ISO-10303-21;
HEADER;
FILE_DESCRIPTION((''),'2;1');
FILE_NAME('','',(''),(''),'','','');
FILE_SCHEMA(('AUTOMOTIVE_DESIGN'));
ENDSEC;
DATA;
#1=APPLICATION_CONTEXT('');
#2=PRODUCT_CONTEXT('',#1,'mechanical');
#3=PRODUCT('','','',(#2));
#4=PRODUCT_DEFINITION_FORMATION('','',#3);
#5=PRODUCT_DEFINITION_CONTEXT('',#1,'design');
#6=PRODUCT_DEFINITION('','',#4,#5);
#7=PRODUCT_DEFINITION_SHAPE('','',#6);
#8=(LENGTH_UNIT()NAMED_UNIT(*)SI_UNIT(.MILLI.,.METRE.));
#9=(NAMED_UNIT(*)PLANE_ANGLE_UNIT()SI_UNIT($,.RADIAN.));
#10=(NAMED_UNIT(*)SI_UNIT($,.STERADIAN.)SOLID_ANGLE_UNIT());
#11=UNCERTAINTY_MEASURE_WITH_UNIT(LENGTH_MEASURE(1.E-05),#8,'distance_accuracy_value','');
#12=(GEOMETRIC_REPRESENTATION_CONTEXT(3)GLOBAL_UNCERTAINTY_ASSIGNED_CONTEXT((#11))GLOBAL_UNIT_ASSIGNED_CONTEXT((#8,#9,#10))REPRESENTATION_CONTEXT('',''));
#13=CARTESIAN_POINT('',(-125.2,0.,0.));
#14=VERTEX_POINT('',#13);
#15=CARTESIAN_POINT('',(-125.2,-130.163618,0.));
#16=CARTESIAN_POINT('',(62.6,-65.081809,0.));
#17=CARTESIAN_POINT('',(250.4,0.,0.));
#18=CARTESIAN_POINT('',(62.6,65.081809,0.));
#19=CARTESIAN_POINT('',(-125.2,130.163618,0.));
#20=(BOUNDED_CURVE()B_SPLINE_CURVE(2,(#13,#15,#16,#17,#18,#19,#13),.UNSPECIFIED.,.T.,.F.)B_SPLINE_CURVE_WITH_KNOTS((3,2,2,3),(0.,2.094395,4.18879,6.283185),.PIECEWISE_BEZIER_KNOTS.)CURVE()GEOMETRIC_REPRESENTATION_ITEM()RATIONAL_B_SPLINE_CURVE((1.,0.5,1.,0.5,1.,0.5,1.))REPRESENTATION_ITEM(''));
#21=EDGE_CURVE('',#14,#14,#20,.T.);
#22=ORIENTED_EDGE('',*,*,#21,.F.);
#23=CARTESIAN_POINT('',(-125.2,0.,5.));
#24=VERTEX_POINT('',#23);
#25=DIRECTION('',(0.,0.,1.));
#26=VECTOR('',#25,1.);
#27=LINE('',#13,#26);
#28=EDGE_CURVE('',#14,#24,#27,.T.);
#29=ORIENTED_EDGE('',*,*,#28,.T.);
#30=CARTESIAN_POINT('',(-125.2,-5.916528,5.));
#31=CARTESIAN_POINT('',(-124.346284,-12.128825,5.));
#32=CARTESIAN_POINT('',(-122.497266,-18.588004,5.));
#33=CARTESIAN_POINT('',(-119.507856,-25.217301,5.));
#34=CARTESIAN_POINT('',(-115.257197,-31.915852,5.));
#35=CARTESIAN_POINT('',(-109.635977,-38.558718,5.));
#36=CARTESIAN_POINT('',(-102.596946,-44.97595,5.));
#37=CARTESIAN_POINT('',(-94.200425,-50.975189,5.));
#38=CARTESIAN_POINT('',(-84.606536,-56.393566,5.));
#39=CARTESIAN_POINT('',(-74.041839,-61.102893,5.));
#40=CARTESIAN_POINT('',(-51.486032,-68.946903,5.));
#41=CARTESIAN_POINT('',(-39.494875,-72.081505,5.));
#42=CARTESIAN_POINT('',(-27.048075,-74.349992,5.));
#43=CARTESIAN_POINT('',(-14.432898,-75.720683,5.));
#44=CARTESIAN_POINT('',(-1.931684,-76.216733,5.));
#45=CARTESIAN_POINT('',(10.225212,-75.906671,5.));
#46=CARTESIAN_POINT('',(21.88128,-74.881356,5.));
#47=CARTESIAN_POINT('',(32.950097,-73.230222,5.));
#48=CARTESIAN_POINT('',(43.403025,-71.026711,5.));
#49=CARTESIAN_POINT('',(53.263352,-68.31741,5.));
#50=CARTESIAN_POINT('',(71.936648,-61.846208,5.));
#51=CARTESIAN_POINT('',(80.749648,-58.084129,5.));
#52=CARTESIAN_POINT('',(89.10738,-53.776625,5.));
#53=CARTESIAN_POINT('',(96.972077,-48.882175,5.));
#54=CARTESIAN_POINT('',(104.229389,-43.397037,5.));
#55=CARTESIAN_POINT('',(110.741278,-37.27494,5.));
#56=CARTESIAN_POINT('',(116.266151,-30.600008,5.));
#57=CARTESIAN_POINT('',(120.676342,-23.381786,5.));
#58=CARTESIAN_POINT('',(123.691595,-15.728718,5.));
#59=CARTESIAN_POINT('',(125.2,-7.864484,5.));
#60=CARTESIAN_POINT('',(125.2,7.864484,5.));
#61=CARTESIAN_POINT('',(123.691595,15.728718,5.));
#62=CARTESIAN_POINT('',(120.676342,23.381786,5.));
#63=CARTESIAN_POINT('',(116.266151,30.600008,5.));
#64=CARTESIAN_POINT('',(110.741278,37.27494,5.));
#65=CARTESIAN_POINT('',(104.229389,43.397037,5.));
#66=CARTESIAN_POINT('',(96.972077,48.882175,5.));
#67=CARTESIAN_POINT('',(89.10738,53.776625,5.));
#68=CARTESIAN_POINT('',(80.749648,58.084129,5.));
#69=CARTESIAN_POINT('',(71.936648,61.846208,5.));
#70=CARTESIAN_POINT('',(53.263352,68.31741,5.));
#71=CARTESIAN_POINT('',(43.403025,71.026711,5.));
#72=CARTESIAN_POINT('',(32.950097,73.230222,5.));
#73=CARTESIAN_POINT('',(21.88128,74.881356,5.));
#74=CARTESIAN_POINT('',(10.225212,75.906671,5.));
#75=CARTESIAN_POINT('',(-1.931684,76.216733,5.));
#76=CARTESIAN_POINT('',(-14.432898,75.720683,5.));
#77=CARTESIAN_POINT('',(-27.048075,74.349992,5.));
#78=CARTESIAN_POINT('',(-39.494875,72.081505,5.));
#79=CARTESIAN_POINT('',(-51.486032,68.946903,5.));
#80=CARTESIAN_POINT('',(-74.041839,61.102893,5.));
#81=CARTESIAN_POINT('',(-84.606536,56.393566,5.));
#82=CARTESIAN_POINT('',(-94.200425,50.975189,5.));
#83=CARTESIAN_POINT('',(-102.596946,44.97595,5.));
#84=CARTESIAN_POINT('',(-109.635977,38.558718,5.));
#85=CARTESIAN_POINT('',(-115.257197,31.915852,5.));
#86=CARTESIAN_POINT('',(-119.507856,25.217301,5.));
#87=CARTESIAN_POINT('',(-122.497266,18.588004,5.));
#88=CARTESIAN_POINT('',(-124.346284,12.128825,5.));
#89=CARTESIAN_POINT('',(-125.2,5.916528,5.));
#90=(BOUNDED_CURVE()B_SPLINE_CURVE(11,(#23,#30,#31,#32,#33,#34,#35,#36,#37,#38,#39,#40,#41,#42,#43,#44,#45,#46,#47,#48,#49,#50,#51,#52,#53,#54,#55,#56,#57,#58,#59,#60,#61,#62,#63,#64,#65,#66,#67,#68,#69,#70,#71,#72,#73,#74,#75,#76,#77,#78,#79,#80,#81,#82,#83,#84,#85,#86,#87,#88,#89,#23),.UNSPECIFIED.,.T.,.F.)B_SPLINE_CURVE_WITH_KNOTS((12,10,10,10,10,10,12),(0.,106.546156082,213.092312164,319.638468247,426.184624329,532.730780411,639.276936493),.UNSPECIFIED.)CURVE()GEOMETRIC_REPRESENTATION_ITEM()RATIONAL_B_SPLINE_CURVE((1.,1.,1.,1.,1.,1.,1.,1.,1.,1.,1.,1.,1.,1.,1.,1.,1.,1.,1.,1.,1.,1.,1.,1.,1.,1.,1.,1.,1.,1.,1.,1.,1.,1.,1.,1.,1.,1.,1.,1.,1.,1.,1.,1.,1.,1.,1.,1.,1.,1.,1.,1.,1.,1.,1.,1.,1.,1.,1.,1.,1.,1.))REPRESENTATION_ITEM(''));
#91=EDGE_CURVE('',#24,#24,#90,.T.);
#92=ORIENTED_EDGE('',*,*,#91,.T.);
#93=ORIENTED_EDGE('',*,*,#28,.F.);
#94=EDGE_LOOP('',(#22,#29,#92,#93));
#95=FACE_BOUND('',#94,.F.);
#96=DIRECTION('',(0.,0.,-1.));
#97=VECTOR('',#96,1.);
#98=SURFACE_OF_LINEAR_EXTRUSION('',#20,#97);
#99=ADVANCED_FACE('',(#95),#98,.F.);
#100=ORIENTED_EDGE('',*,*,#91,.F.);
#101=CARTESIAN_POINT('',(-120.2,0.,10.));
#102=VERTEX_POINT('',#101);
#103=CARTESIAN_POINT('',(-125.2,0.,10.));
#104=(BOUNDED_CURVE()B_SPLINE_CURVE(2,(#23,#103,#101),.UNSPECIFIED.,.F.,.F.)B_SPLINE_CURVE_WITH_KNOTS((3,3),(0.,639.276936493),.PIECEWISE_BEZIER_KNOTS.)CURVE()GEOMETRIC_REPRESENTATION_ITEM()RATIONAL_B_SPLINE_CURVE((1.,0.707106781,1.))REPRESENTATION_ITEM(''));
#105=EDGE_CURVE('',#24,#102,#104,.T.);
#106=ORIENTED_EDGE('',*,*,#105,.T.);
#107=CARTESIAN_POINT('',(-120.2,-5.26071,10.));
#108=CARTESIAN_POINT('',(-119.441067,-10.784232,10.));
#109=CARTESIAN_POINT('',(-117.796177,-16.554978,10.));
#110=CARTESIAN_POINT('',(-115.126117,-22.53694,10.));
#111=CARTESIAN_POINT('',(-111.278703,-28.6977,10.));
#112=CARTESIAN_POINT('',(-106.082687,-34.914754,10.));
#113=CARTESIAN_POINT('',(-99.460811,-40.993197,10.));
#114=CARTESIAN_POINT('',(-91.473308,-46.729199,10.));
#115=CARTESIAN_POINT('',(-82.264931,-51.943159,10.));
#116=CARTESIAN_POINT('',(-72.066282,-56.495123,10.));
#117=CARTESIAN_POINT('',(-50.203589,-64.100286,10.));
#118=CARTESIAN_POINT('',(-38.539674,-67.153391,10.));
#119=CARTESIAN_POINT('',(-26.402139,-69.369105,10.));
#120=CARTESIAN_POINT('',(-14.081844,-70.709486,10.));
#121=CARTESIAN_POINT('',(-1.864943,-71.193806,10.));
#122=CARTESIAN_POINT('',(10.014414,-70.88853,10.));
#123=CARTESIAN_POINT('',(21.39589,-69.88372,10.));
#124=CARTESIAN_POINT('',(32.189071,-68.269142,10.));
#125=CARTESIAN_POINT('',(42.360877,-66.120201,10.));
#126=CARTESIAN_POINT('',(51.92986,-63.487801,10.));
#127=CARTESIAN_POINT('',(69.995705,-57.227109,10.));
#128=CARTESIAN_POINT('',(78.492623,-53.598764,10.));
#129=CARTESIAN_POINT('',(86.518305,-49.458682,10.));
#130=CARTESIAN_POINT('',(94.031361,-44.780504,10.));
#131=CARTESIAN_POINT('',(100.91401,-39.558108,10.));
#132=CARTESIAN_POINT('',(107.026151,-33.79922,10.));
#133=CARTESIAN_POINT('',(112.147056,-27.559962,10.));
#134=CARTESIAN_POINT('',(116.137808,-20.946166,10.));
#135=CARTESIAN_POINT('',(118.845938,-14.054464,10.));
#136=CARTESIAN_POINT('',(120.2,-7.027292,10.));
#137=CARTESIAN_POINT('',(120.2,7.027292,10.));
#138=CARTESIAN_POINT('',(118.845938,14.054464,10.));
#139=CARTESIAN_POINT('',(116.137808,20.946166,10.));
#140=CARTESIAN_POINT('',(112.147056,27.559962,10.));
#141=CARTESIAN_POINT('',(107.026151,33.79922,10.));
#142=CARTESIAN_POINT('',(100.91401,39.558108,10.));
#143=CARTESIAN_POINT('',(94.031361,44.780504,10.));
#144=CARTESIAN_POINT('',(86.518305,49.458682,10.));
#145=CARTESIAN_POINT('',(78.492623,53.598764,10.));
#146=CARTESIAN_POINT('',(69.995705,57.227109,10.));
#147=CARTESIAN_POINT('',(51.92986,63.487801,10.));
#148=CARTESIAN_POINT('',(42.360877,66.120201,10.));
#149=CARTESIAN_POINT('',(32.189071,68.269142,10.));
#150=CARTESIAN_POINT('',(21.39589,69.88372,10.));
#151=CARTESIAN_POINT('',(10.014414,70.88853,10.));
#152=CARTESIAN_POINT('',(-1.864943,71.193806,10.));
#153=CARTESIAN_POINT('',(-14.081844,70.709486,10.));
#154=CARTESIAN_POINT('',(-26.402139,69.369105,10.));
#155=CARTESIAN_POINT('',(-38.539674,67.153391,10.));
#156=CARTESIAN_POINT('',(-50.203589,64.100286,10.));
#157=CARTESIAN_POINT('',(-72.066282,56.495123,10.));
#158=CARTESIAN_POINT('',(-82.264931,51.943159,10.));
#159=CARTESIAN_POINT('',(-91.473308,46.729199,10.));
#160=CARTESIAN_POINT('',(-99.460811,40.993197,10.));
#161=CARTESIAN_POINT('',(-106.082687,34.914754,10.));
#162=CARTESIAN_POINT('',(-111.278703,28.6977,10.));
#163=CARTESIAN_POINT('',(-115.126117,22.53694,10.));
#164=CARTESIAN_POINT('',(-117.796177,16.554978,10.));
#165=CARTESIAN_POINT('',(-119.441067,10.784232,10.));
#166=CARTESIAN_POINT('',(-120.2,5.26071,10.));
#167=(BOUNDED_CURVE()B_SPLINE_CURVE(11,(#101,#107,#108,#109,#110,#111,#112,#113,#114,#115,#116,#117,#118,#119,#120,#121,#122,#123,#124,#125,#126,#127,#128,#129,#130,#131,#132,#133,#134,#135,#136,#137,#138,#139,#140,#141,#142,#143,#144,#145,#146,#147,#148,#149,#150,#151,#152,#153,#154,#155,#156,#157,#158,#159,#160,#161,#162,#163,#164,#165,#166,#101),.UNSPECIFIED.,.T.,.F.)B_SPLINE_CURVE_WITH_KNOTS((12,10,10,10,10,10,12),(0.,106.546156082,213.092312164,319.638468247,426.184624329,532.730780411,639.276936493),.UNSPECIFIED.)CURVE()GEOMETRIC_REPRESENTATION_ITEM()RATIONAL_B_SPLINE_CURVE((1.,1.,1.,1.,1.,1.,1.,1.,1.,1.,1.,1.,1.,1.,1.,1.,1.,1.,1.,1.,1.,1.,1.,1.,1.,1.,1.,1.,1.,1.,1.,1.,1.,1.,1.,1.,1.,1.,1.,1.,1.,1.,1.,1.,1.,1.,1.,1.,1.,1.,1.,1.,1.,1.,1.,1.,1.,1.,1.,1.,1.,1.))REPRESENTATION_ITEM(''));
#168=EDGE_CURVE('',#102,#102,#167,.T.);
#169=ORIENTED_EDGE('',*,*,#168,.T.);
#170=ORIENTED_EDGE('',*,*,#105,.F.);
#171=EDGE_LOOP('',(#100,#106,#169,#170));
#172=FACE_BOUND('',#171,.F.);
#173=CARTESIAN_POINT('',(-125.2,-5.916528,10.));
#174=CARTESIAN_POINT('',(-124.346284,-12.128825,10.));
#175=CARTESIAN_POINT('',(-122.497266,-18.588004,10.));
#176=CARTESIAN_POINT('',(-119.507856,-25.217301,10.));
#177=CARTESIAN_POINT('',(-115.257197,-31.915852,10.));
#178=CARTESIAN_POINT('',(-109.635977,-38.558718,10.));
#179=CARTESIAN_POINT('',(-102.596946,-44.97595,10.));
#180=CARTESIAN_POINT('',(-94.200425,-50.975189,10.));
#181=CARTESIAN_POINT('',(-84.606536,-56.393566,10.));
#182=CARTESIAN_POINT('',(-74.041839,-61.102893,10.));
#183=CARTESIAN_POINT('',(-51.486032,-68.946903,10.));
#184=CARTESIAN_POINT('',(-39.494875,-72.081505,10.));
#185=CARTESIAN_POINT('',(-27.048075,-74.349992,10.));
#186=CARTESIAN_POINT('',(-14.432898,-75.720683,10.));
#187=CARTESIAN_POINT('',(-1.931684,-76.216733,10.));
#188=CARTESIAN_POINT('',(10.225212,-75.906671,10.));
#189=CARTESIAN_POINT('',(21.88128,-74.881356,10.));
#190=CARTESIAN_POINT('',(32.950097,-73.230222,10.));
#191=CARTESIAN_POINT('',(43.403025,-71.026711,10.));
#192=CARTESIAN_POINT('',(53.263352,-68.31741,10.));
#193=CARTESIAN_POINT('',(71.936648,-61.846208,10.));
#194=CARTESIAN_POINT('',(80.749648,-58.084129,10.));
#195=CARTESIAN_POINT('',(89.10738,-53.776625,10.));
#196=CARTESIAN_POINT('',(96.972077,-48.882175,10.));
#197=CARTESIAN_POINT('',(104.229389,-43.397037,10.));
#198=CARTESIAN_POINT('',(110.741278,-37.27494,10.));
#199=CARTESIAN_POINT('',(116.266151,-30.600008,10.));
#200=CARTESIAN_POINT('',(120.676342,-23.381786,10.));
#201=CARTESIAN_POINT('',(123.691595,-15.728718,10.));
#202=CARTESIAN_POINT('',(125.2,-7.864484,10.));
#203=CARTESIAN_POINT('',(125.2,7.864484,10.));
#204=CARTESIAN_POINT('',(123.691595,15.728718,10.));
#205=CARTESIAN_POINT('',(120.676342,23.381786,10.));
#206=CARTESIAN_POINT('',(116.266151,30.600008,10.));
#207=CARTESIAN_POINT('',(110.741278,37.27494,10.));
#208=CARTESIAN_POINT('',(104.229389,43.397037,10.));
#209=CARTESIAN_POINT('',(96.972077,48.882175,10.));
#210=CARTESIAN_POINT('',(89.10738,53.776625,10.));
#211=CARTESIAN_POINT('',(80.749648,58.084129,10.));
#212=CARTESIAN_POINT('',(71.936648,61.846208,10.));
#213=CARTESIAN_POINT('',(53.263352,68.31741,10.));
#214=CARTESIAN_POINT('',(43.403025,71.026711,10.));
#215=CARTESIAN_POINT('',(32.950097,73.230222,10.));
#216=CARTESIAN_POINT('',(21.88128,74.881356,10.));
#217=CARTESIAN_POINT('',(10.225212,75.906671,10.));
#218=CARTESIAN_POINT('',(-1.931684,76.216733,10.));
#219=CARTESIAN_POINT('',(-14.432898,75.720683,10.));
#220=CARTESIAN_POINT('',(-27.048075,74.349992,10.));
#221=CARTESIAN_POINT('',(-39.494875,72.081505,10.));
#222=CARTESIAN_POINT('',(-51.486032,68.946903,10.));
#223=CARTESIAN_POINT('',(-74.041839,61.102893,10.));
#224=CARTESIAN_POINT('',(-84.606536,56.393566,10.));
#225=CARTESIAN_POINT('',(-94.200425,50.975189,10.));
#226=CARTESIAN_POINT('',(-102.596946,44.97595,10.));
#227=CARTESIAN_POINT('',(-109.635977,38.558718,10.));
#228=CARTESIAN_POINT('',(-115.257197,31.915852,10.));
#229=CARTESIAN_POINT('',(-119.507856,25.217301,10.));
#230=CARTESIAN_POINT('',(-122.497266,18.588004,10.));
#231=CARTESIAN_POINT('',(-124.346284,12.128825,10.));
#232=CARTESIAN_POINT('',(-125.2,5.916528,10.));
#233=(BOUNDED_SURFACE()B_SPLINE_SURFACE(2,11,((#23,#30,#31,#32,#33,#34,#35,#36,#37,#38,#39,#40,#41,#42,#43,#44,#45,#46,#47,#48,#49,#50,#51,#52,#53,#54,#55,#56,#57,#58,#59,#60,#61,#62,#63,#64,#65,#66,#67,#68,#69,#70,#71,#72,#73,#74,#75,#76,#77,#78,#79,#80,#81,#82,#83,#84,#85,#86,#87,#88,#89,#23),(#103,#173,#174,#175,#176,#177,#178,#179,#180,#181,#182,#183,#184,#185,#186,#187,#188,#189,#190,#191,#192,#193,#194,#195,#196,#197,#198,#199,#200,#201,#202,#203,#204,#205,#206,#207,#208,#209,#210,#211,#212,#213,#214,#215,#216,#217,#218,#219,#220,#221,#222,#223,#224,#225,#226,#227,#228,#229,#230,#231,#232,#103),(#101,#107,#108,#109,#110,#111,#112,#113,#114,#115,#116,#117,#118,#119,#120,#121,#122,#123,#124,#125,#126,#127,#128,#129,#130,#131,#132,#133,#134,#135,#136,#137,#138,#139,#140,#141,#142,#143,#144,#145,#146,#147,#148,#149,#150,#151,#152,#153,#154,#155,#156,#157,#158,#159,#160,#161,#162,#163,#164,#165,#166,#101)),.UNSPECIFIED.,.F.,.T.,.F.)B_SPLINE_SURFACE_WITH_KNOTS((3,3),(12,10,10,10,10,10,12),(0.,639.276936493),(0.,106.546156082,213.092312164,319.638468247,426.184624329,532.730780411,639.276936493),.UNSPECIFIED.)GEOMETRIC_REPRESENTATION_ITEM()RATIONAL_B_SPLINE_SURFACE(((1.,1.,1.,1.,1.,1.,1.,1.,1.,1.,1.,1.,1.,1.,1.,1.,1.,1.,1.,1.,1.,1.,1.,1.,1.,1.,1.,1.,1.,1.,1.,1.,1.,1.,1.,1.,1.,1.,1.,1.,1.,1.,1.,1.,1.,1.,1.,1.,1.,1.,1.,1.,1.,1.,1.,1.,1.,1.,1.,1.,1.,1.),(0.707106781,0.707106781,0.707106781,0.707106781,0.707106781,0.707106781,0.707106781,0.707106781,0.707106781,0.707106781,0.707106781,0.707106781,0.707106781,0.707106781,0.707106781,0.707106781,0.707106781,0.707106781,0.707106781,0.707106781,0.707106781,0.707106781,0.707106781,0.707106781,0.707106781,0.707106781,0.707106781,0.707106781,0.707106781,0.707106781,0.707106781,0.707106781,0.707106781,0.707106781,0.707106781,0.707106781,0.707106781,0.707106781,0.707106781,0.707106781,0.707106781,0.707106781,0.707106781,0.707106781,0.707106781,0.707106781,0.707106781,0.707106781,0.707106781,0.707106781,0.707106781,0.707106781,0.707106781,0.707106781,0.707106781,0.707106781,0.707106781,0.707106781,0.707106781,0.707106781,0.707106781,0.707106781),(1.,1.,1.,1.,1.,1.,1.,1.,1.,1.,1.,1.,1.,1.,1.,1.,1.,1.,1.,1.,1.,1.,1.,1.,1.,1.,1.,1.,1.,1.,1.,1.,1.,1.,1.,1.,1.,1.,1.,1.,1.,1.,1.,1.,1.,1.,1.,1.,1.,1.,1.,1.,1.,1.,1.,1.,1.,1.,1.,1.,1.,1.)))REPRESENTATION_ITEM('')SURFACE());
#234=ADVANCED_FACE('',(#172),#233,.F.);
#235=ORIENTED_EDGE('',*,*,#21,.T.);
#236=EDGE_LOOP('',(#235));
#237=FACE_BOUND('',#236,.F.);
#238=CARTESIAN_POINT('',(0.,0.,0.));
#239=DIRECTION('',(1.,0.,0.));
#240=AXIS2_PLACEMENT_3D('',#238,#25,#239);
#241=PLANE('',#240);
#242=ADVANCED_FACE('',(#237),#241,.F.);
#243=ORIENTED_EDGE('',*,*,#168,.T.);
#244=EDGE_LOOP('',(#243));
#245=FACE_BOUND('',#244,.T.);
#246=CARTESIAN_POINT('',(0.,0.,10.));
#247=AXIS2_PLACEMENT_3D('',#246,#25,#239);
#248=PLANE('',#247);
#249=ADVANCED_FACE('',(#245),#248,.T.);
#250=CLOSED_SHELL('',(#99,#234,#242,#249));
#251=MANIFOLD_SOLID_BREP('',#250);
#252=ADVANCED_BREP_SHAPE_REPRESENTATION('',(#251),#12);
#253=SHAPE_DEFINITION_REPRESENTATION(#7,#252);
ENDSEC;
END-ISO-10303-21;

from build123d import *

# Parameters (mm, degrees)
F1_DEPTH = 10
F2_R     = 5


with BuildPart() as f1:
    # F0 (on Top) → F1 (new body)
    with BuildSketch(Plane.XY):
        with BuildLine():
            add(Edge.make_bspline(
                [(-125.2, 0), (-125.2, -130.163618), (62.6, -65.081809), (250.4, 0), (62.6, 65.081809), (-125.2, 130.163618), (-125.2, 0)],
                knots=[0, 0, 0, 2.094395, 2.094395, 4.18879, 4.18879, 6.283185, 6.283185, 6.283185], degree=2, weights=[1, 0.5, 1, 0.5, 1, 0.5, 1]))
        make_face()
    extrude(amount=F1_DEPTH)

    # F2
    f2_edges = [f1.edges().sort_by_distance(p)[0] for p in [
        (125.2, -1e-06, 10),
    ]]
    fillet(f2_edges, radius=F2_R)


solid = f1.part
